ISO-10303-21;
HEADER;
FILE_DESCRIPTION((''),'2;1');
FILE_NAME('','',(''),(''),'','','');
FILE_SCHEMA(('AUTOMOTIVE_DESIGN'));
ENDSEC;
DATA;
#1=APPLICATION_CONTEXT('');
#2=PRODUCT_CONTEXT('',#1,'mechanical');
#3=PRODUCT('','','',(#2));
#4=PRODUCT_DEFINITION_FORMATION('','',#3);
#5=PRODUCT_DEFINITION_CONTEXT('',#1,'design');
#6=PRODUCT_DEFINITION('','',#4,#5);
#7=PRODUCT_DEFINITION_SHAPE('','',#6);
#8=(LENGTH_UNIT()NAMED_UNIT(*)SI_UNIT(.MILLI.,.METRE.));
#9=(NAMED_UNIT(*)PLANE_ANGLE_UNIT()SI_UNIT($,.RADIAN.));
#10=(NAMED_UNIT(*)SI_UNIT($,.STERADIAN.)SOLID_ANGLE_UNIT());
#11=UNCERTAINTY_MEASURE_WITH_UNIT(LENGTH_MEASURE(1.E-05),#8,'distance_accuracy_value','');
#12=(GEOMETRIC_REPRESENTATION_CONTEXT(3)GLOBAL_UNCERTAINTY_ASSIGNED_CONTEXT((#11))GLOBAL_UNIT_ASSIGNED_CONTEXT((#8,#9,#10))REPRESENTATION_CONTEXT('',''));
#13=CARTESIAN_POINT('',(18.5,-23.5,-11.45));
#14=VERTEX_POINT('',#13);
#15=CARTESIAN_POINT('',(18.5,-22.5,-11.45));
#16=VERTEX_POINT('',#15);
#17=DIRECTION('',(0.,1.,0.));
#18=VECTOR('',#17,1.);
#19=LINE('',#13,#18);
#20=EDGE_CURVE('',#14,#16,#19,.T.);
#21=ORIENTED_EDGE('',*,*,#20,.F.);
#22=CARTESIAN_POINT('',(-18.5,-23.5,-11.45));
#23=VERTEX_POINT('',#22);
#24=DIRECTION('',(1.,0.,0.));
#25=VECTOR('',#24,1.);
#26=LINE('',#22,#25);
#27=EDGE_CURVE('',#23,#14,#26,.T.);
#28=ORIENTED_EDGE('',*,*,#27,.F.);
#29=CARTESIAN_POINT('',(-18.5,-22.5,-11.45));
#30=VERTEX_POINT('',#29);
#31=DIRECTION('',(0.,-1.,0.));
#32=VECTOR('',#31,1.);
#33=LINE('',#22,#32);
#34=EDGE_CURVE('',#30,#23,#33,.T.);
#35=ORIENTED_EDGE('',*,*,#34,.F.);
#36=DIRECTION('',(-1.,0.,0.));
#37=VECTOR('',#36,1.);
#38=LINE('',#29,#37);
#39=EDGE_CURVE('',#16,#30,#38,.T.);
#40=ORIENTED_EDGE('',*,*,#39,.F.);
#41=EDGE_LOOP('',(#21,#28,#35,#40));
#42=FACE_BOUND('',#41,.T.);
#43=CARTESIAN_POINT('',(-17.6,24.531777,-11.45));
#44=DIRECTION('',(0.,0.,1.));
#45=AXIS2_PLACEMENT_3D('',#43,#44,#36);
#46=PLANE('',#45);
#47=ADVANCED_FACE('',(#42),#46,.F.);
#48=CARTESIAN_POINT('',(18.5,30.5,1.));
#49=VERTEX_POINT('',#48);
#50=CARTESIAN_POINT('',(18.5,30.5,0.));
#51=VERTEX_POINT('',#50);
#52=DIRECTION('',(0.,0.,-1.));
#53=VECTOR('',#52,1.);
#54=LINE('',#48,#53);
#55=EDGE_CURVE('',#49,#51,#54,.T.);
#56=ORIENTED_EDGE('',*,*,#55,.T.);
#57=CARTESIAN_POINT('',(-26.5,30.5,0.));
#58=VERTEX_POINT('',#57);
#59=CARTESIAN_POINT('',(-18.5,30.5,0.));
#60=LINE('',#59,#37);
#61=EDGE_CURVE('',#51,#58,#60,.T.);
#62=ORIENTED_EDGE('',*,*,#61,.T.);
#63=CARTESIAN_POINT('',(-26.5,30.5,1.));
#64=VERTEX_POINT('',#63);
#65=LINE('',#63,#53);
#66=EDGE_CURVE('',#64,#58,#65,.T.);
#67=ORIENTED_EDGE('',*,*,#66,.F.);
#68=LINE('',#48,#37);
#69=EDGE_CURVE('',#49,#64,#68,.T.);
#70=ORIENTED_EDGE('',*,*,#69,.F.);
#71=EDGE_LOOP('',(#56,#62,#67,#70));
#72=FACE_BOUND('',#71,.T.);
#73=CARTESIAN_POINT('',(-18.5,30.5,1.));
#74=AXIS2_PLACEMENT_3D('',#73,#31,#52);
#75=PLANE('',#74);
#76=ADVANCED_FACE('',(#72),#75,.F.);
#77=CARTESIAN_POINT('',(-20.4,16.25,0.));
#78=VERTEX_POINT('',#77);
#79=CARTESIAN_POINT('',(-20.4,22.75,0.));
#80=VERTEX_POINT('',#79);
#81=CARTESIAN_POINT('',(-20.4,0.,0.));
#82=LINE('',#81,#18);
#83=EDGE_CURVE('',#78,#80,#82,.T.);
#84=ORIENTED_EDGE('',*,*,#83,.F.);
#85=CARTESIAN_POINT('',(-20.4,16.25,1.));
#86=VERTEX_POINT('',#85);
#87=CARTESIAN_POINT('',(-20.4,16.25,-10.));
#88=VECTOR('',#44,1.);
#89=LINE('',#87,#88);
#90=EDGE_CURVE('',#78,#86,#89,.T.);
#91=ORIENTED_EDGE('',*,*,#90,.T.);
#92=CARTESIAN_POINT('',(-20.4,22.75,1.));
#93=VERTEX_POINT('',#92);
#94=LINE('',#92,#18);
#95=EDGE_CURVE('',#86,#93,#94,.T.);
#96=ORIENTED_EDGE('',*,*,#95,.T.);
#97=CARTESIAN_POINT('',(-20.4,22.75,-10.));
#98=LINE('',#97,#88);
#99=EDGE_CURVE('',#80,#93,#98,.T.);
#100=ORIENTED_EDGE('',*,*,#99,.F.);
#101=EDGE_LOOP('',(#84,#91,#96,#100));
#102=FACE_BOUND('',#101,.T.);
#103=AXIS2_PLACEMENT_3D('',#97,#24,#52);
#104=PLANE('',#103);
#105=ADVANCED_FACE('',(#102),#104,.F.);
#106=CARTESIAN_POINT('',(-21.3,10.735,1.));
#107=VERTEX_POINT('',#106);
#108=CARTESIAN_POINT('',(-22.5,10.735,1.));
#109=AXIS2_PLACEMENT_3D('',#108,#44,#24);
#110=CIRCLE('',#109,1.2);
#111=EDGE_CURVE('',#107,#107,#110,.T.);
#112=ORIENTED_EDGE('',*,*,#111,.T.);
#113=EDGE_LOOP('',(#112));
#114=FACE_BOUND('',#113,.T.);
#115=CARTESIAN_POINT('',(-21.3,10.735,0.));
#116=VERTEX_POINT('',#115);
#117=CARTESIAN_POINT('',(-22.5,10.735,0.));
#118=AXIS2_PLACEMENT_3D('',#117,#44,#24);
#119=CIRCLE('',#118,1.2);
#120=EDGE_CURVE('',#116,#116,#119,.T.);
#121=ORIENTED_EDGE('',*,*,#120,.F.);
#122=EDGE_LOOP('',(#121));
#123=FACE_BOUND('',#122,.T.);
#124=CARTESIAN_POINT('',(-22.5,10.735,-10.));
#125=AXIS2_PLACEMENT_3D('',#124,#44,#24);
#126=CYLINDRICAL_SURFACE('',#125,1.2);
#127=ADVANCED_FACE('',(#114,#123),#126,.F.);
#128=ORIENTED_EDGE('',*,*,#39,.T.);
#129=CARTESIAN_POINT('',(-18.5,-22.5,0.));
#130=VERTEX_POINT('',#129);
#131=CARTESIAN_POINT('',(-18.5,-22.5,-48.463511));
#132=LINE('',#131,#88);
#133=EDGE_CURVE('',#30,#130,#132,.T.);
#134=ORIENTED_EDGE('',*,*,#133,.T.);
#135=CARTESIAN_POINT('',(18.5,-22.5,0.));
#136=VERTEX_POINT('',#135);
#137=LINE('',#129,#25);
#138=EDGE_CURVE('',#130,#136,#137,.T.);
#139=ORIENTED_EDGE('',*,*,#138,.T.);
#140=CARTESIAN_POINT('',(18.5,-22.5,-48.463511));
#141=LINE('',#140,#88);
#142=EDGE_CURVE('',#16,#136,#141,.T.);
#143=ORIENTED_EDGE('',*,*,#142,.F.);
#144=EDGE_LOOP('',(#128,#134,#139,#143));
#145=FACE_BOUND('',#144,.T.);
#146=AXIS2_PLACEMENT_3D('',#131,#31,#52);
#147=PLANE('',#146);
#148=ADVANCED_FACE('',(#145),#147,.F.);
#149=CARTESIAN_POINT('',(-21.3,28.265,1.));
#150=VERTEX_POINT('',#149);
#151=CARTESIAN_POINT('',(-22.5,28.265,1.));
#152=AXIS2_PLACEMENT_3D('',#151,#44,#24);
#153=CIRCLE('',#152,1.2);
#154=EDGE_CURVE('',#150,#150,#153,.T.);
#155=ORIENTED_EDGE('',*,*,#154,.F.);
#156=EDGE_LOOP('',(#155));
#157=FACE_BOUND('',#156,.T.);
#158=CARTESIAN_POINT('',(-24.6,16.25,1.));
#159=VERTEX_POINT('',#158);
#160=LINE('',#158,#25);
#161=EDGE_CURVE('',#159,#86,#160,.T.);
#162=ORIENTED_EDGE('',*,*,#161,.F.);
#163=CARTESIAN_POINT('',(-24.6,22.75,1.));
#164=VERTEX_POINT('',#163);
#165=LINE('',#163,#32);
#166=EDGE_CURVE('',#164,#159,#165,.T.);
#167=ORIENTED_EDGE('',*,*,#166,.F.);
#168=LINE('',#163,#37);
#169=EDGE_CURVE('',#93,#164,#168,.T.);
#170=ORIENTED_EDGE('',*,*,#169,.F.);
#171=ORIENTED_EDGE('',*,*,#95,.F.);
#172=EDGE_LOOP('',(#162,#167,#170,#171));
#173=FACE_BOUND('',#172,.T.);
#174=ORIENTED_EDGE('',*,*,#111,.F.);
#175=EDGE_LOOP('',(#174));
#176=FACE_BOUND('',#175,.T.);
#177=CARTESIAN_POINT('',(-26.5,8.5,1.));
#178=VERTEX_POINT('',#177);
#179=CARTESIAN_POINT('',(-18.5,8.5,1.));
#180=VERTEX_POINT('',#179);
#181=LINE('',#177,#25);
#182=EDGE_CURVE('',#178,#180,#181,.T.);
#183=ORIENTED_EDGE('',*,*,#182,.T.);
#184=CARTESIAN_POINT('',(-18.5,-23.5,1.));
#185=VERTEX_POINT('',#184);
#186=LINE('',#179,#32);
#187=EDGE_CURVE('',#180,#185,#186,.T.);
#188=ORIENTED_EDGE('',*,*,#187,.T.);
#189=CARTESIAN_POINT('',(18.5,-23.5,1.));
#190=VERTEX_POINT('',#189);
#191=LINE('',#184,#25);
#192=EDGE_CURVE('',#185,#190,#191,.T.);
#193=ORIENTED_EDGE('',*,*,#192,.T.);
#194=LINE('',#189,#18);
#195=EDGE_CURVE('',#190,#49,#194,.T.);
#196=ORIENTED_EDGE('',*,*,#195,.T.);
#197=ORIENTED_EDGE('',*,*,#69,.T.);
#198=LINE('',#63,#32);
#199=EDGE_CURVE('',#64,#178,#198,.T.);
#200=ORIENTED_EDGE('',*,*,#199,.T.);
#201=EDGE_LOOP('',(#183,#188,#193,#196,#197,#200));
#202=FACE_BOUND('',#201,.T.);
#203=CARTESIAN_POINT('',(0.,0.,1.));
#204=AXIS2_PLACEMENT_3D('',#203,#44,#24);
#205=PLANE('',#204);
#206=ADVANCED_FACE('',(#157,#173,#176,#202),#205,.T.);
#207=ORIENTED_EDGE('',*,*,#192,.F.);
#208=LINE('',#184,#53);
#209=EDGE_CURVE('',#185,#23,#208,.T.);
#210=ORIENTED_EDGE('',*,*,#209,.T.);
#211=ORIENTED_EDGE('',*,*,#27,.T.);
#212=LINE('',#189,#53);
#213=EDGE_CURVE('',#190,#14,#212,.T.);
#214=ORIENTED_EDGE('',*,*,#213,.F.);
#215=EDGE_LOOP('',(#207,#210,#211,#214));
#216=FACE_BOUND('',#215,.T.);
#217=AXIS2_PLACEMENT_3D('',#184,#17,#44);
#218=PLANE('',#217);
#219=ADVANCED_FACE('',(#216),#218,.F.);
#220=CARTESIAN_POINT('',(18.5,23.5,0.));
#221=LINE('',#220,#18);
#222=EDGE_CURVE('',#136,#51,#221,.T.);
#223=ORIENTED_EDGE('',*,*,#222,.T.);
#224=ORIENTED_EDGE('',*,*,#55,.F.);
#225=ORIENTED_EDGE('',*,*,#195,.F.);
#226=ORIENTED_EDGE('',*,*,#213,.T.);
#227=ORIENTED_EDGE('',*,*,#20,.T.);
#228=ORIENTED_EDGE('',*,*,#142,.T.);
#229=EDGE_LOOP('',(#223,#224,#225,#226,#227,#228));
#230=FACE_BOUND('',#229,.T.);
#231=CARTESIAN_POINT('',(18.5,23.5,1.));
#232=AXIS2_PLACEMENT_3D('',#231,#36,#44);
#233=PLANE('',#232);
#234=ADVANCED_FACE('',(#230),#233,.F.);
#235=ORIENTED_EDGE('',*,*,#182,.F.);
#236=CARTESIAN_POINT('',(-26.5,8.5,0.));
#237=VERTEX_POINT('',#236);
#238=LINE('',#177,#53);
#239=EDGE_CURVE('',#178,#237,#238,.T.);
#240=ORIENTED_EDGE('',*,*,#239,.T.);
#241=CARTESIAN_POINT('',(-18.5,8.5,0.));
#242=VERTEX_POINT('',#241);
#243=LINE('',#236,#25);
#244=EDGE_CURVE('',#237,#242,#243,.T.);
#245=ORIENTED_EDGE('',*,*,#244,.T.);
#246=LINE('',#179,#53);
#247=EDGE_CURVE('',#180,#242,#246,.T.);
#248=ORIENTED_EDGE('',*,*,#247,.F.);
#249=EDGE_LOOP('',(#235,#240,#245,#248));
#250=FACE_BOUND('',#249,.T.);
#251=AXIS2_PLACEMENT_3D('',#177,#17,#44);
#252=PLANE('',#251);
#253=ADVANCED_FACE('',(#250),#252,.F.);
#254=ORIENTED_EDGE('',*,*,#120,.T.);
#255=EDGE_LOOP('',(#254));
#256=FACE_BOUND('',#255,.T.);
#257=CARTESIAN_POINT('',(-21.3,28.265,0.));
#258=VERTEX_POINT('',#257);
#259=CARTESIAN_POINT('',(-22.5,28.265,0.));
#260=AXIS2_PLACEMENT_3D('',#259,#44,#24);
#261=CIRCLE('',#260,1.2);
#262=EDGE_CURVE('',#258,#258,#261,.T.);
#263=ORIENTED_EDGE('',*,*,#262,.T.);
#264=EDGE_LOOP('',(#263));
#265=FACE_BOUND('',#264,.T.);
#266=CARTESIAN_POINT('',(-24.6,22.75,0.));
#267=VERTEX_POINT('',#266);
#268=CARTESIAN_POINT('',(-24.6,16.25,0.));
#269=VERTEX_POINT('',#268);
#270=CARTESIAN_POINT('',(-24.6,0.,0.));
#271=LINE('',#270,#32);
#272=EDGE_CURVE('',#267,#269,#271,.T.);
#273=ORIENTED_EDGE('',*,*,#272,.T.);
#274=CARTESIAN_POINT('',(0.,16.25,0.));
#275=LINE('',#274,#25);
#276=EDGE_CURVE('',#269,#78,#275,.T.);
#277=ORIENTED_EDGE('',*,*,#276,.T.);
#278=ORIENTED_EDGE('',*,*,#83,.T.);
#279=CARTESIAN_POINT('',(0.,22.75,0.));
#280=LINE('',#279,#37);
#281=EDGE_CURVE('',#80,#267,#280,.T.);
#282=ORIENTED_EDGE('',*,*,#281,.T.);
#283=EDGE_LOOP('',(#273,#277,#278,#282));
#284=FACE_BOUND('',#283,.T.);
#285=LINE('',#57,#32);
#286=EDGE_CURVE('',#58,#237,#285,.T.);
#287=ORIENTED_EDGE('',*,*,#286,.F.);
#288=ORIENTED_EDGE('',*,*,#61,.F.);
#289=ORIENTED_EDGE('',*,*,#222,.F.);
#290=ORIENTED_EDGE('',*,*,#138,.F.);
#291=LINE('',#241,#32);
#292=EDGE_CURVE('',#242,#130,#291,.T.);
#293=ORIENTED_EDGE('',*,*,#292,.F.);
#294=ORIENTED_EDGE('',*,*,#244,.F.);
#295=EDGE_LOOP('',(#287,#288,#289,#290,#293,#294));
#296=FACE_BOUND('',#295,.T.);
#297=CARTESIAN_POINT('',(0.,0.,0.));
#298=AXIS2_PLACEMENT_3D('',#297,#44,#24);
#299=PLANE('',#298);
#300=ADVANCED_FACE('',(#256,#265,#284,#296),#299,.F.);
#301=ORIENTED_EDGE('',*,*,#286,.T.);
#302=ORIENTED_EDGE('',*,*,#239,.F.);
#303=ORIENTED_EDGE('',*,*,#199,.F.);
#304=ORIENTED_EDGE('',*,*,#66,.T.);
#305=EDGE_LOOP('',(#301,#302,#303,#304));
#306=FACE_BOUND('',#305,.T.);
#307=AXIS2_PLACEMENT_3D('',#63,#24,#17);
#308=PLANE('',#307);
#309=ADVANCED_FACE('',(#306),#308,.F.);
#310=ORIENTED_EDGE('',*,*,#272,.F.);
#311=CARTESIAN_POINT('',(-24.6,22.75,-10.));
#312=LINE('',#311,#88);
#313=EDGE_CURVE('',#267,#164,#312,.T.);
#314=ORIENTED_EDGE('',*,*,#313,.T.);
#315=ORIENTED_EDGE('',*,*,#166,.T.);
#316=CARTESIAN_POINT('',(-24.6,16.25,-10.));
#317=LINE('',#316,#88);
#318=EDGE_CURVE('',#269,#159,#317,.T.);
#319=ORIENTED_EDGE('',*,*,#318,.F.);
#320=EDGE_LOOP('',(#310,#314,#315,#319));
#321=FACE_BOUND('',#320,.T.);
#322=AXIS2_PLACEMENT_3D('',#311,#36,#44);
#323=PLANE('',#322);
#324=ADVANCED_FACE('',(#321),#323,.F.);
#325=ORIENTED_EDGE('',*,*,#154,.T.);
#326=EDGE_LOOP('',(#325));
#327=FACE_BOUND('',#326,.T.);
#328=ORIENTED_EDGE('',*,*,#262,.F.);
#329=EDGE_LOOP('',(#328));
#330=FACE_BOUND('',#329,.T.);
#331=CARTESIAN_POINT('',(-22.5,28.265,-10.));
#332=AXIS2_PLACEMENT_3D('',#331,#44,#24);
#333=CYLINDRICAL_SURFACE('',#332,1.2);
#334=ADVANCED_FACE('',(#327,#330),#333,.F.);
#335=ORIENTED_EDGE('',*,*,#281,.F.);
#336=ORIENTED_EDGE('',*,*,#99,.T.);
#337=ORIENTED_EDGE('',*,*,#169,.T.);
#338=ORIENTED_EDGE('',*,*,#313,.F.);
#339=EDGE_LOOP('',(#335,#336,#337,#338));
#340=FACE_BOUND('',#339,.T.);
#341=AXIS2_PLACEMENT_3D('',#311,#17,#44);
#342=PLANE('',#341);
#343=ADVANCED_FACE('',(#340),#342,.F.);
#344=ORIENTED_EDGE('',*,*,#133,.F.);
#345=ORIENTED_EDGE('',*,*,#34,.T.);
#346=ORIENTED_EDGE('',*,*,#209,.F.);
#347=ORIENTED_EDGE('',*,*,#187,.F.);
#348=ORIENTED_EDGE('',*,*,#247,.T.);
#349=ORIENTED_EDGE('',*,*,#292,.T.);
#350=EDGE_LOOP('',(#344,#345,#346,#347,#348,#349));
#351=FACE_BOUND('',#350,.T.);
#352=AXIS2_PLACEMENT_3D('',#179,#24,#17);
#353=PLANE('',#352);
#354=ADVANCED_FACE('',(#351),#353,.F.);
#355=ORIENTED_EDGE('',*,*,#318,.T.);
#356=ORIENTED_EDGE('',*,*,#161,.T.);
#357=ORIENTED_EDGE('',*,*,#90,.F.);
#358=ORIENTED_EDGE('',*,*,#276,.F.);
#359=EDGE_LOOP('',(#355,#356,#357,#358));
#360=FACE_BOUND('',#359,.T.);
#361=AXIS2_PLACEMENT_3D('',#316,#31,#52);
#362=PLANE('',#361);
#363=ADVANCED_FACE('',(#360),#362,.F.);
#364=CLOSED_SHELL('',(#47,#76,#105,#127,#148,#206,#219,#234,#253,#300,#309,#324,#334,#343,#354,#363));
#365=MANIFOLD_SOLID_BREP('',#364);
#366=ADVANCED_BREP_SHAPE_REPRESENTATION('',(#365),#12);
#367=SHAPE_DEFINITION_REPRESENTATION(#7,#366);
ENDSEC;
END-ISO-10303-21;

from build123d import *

# Parameters (mm, degrees)
BOSS_EXTRUDE1_DEPTH = 1
SKETCH2_R           = 1.2
SKETCH2_W           = 4.2
SKETCH2_H           = 6.5
CUT_EXTRUDE1_DEPTH  = 11
SKETCH3_W           = 37
SKETCH3_H           = 1
BOSS_EXTRUDE2_DEPTH = 11.45


with BuildPart() as part:
    # Sketch1 → Boss-Extrude1 (new body)
    with BuildSketch(Plane.XY):
        Polygon((18.5, 23.5), (18.5, 30.5), (-18.5, 30.5), (-26.5, 30.5), (-26.5, 8.5), (-18.5, 8.5), (-18.5, -23.5), (18.5, -23.5), align=None)
    extrude(amount=BOSS_EXTRUDE1_DEPTH)

    # Sketch2 → Cut-Extrude1 (cut)
    with BuildSketch(Plane.XY.offset(1)):
        with Locations((-22.5, 10.735)):
            Circle(SKETCH2_R)
        with Locations((-22.5, 28.265)):
            Circle(SKETCH2_R)
        with Locations((-22.5, 19.5)):
            Rectangle(SKETCH2_W, SKETCH2_H)
    extrude(amount=-CUT_EXTRUDE1_DEPTH, mode=Mode.SUBTRACT)

    # Sketch3 → Boss-Extrude2 (add)
    with BuildSketch(Plane(origin=(0, 0, 0), x_dir=(-1, 0, 0), z_dir=(0, 0, -1))):
        with Locations((0, -23)):
            Rectangle(SKETCH3_W, SKETCH3_H)
    extrude(amount=BOSS_EXTRUDE2_DEPTH)


solid = part.part
